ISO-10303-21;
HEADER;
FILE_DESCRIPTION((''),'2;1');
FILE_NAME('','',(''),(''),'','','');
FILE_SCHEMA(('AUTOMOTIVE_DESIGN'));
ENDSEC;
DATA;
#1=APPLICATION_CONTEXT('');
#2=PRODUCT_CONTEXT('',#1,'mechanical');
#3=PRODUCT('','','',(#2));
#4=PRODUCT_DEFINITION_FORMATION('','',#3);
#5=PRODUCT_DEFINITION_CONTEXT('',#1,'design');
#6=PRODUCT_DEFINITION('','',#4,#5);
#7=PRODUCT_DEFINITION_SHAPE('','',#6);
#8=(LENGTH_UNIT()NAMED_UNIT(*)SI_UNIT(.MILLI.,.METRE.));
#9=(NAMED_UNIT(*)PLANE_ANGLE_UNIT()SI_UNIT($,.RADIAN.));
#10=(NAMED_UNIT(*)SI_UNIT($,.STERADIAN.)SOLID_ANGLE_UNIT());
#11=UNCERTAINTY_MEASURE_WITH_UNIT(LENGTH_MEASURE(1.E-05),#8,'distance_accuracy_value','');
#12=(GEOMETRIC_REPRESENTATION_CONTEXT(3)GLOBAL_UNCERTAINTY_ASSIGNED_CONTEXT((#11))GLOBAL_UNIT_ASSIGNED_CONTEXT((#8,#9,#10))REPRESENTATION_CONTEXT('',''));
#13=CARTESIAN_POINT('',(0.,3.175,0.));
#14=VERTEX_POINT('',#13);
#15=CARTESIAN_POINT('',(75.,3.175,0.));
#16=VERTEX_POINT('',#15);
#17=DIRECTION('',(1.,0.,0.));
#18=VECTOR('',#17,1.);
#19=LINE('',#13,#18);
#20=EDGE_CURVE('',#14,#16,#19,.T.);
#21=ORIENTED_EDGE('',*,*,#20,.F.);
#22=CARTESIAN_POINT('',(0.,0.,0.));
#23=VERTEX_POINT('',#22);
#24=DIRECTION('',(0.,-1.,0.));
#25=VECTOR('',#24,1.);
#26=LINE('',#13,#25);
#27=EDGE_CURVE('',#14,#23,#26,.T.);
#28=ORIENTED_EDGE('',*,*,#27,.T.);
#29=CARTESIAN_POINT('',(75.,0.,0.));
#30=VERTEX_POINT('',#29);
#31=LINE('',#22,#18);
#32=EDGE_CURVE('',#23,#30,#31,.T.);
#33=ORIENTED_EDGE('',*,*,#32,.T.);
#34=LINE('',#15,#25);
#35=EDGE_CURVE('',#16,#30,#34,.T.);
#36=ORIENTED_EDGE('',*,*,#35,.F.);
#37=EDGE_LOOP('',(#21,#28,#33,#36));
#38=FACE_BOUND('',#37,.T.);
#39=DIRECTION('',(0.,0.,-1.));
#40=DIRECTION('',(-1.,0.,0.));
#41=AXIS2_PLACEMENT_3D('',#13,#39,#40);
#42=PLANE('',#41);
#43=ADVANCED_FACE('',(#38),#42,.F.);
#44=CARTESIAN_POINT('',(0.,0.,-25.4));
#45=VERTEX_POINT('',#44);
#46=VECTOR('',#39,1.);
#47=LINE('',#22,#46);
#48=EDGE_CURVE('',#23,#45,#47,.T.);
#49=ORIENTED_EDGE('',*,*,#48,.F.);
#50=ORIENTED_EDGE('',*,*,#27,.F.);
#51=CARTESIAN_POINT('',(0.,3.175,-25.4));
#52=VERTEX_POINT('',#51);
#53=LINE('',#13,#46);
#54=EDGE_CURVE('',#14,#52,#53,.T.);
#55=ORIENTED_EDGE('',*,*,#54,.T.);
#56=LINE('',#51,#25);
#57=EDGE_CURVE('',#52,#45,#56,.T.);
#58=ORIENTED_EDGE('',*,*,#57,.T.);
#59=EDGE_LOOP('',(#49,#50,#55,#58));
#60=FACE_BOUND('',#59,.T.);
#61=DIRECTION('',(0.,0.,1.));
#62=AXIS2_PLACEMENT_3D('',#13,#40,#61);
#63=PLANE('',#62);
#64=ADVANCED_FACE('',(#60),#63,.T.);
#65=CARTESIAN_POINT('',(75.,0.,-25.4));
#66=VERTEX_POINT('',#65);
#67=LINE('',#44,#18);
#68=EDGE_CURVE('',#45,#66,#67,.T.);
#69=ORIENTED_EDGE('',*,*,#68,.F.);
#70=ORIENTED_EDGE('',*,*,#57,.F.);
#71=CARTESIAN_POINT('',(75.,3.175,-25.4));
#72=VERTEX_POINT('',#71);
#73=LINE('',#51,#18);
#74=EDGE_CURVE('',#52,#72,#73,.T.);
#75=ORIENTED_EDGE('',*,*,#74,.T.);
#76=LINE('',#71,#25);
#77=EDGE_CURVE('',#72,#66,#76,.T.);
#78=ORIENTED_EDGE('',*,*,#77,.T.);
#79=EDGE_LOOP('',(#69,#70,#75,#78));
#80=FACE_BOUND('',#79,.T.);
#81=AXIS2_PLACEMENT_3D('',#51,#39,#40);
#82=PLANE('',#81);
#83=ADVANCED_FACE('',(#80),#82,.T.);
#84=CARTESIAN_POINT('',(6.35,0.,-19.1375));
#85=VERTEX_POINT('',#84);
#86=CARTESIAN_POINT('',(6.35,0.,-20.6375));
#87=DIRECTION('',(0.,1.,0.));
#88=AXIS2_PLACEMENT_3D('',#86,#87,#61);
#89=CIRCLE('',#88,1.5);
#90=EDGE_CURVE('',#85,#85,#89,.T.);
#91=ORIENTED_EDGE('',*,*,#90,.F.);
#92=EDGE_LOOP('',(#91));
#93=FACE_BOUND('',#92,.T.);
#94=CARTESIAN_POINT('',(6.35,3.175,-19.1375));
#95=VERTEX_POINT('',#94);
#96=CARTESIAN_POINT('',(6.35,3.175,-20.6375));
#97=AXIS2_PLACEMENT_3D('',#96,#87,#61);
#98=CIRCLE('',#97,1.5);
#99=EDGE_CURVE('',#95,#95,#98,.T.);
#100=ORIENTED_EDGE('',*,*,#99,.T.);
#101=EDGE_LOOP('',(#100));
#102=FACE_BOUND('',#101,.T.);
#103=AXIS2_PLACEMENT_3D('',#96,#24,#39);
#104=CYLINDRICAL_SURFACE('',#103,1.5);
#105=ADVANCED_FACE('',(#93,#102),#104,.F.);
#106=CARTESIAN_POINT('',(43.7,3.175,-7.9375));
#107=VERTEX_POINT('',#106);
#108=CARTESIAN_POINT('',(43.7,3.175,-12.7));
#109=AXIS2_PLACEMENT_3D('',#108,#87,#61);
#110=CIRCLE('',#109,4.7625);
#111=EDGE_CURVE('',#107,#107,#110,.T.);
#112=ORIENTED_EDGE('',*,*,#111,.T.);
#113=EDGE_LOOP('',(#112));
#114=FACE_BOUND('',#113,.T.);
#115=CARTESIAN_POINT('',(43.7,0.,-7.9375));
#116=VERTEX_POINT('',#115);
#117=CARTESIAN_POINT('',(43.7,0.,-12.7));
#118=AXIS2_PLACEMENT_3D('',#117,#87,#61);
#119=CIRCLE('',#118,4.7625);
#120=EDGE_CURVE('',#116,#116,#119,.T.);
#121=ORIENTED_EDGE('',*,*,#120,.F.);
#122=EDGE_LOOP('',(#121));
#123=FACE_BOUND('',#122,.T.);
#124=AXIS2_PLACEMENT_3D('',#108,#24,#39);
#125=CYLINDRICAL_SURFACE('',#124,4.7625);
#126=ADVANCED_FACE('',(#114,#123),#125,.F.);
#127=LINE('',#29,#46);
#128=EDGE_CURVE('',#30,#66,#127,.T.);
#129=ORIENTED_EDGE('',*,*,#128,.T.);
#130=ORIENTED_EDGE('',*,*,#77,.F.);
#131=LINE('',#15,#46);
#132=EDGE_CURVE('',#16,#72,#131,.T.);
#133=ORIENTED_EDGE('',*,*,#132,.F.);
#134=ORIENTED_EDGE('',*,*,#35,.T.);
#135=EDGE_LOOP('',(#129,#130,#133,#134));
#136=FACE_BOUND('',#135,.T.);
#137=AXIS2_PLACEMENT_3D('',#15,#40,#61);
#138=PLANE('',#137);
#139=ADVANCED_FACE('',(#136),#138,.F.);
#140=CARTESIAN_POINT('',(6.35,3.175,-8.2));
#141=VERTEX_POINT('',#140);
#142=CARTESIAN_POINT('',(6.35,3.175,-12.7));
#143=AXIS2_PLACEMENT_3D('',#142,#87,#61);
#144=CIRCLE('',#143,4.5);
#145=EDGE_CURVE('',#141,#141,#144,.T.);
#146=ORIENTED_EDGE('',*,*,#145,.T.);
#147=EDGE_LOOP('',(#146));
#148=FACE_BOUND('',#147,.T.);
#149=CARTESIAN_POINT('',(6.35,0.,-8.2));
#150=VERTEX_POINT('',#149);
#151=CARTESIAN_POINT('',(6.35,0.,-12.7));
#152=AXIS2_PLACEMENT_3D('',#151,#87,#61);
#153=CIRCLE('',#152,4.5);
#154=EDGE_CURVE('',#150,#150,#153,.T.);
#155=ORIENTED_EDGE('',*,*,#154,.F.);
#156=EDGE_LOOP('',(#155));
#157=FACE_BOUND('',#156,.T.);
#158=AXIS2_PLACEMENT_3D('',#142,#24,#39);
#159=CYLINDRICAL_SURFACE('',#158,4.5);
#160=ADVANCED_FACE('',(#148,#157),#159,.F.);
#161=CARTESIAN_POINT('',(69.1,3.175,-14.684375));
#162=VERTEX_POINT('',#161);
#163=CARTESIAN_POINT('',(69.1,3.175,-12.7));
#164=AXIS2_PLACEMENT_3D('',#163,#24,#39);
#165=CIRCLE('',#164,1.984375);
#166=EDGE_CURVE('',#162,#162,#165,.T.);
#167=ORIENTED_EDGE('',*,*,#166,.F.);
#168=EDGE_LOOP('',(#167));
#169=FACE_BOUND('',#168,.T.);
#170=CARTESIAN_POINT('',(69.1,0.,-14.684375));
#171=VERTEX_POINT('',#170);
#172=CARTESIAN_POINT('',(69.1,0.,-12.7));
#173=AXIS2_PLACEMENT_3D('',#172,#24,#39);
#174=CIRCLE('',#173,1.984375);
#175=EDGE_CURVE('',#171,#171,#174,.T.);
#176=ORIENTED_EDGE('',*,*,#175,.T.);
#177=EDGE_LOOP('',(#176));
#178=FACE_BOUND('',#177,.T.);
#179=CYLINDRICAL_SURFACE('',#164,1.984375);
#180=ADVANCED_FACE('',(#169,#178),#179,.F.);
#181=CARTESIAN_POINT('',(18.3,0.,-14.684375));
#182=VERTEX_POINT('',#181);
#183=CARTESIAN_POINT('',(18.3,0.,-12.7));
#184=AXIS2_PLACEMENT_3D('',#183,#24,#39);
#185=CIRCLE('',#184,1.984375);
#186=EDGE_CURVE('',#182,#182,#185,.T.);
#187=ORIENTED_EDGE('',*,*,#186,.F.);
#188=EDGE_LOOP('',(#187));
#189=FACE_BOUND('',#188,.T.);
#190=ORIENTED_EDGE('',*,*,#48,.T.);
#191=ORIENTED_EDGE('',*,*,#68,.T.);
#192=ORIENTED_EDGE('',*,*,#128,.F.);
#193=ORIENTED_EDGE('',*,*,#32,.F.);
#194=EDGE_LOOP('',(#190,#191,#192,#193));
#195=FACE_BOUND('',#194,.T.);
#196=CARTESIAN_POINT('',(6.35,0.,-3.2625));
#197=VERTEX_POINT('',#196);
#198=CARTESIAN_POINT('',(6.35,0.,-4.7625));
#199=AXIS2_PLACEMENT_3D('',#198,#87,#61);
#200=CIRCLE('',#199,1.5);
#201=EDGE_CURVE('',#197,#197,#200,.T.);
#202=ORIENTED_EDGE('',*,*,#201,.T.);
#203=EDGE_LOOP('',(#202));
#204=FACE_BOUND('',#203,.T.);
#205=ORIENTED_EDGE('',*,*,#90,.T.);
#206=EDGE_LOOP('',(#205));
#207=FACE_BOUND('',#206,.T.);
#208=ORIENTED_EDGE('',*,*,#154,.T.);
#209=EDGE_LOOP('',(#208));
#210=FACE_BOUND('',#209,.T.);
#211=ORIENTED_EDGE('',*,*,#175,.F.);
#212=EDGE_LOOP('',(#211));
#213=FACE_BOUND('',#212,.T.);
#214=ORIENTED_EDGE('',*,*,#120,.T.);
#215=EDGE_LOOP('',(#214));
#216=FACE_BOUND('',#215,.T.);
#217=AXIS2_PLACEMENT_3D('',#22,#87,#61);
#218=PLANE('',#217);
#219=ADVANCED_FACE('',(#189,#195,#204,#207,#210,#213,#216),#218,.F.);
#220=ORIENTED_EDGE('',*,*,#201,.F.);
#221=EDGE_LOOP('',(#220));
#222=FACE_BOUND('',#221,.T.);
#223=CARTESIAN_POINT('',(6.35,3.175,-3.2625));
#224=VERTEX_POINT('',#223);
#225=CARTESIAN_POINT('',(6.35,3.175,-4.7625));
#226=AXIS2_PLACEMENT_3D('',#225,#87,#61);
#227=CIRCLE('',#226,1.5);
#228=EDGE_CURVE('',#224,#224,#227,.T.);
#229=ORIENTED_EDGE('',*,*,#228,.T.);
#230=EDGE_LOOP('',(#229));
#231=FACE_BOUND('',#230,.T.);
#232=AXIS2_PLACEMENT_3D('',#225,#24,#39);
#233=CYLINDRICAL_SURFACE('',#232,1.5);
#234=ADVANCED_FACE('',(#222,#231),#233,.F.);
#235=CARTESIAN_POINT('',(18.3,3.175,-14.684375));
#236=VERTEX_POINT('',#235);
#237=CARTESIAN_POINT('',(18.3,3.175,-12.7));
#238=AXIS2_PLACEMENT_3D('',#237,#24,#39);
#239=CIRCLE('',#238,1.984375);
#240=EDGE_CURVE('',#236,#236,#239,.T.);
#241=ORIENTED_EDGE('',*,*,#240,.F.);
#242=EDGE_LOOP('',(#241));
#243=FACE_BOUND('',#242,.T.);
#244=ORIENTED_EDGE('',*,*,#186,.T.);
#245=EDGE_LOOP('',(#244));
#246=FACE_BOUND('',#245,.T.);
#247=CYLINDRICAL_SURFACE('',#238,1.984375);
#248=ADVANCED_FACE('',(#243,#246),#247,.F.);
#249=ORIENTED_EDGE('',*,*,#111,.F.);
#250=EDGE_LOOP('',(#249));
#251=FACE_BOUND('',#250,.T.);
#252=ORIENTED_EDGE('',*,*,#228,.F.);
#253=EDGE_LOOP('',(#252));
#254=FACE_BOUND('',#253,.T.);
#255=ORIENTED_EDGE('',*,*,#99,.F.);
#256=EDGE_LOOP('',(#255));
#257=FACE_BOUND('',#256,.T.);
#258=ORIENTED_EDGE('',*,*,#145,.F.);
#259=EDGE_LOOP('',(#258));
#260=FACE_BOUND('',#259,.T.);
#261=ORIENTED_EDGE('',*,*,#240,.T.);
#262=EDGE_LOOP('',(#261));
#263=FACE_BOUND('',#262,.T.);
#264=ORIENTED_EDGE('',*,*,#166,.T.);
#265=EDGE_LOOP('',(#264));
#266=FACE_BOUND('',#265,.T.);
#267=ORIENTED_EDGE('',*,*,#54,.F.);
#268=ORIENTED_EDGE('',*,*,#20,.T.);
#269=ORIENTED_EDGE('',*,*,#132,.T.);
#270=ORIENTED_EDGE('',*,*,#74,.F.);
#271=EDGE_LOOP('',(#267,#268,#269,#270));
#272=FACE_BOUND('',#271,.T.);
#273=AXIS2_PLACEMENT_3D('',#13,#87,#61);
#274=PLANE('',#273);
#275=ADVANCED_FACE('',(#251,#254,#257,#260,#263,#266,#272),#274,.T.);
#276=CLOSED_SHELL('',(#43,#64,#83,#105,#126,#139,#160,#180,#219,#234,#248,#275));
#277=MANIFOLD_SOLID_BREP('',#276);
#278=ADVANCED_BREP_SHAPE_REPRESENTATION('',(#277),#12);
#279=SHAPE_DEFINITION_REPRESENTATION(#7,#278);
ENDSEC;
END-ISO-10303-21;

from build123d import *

# Parameters (mm, degrees)
SKETCH1_W           = 75
SKETCH1_H           = 25.4
SKETCH1_R           = 4.7625
SKETCH1_R_2         = 1.5
SKETCH1_R_3         = 4.5
BOSS_EXTRUDE1_DEPTH = 3.175
SKETCH2_R           = 1.984375
CUT_EXTRUDE1_DEPTH  = 3.175


with BuildPart() as part:
    # Sketch1 → Boss-Extrude1 (new body)
    with BuildSketch(Plane(origin=(0, 0, 0), x_dir=(1, 0, 0), z_dir=(0, 1, 0))):
        with Locations((37.5, 12.7)):
            Rectangle(SKETCH1_W, SKETCH1_H)
        with Locations(Location((43.7, 12.7, 0), (0, 0, 270))):
            Circle(SKETCH1_R, mode=Mode.SUBTRACT)
        with Locations(Location((6.35, 20.6375, 0), (0, 0, 270))):
            Circle(SKETCH1_R_2, mode=Mode.SUBTRACT)
        with Locations(Location((6.35, 4.7625, 0), (0, 0, 270))):
            Circle(SKETCH1_R_2, mode=Mode.SUBTRACT)
        with Locations(Location((6.35, 12.7, 0), (0, 0, 270))):
            Circle(SKETCH1_R_3, mode=Mode.SUBTRACT)
    extrude(amount=BOSS_EXTRUDE1_DEPTH)

    # Sketch2 → Cut-Extrude1 (cut)
    with BuildSketch(Plane(origin=(0, 0, 0), x_dir=(-1, 0, 0), z_dir=(0, -1, 0))):
        with Locations(Location((-18.3, 12.7, 0), (0, 0, 90))):
            Circle(SKETCH2_R)
        with Locations(Location((-69.1, 12.7, 0), (0, 0, 90))):
            Circle(SKETCH2_R)
    extrude(amount=-CUT_EXTRUDE1_DEPTH, mode=Mode.SUBTRACT)


solid = part.part
